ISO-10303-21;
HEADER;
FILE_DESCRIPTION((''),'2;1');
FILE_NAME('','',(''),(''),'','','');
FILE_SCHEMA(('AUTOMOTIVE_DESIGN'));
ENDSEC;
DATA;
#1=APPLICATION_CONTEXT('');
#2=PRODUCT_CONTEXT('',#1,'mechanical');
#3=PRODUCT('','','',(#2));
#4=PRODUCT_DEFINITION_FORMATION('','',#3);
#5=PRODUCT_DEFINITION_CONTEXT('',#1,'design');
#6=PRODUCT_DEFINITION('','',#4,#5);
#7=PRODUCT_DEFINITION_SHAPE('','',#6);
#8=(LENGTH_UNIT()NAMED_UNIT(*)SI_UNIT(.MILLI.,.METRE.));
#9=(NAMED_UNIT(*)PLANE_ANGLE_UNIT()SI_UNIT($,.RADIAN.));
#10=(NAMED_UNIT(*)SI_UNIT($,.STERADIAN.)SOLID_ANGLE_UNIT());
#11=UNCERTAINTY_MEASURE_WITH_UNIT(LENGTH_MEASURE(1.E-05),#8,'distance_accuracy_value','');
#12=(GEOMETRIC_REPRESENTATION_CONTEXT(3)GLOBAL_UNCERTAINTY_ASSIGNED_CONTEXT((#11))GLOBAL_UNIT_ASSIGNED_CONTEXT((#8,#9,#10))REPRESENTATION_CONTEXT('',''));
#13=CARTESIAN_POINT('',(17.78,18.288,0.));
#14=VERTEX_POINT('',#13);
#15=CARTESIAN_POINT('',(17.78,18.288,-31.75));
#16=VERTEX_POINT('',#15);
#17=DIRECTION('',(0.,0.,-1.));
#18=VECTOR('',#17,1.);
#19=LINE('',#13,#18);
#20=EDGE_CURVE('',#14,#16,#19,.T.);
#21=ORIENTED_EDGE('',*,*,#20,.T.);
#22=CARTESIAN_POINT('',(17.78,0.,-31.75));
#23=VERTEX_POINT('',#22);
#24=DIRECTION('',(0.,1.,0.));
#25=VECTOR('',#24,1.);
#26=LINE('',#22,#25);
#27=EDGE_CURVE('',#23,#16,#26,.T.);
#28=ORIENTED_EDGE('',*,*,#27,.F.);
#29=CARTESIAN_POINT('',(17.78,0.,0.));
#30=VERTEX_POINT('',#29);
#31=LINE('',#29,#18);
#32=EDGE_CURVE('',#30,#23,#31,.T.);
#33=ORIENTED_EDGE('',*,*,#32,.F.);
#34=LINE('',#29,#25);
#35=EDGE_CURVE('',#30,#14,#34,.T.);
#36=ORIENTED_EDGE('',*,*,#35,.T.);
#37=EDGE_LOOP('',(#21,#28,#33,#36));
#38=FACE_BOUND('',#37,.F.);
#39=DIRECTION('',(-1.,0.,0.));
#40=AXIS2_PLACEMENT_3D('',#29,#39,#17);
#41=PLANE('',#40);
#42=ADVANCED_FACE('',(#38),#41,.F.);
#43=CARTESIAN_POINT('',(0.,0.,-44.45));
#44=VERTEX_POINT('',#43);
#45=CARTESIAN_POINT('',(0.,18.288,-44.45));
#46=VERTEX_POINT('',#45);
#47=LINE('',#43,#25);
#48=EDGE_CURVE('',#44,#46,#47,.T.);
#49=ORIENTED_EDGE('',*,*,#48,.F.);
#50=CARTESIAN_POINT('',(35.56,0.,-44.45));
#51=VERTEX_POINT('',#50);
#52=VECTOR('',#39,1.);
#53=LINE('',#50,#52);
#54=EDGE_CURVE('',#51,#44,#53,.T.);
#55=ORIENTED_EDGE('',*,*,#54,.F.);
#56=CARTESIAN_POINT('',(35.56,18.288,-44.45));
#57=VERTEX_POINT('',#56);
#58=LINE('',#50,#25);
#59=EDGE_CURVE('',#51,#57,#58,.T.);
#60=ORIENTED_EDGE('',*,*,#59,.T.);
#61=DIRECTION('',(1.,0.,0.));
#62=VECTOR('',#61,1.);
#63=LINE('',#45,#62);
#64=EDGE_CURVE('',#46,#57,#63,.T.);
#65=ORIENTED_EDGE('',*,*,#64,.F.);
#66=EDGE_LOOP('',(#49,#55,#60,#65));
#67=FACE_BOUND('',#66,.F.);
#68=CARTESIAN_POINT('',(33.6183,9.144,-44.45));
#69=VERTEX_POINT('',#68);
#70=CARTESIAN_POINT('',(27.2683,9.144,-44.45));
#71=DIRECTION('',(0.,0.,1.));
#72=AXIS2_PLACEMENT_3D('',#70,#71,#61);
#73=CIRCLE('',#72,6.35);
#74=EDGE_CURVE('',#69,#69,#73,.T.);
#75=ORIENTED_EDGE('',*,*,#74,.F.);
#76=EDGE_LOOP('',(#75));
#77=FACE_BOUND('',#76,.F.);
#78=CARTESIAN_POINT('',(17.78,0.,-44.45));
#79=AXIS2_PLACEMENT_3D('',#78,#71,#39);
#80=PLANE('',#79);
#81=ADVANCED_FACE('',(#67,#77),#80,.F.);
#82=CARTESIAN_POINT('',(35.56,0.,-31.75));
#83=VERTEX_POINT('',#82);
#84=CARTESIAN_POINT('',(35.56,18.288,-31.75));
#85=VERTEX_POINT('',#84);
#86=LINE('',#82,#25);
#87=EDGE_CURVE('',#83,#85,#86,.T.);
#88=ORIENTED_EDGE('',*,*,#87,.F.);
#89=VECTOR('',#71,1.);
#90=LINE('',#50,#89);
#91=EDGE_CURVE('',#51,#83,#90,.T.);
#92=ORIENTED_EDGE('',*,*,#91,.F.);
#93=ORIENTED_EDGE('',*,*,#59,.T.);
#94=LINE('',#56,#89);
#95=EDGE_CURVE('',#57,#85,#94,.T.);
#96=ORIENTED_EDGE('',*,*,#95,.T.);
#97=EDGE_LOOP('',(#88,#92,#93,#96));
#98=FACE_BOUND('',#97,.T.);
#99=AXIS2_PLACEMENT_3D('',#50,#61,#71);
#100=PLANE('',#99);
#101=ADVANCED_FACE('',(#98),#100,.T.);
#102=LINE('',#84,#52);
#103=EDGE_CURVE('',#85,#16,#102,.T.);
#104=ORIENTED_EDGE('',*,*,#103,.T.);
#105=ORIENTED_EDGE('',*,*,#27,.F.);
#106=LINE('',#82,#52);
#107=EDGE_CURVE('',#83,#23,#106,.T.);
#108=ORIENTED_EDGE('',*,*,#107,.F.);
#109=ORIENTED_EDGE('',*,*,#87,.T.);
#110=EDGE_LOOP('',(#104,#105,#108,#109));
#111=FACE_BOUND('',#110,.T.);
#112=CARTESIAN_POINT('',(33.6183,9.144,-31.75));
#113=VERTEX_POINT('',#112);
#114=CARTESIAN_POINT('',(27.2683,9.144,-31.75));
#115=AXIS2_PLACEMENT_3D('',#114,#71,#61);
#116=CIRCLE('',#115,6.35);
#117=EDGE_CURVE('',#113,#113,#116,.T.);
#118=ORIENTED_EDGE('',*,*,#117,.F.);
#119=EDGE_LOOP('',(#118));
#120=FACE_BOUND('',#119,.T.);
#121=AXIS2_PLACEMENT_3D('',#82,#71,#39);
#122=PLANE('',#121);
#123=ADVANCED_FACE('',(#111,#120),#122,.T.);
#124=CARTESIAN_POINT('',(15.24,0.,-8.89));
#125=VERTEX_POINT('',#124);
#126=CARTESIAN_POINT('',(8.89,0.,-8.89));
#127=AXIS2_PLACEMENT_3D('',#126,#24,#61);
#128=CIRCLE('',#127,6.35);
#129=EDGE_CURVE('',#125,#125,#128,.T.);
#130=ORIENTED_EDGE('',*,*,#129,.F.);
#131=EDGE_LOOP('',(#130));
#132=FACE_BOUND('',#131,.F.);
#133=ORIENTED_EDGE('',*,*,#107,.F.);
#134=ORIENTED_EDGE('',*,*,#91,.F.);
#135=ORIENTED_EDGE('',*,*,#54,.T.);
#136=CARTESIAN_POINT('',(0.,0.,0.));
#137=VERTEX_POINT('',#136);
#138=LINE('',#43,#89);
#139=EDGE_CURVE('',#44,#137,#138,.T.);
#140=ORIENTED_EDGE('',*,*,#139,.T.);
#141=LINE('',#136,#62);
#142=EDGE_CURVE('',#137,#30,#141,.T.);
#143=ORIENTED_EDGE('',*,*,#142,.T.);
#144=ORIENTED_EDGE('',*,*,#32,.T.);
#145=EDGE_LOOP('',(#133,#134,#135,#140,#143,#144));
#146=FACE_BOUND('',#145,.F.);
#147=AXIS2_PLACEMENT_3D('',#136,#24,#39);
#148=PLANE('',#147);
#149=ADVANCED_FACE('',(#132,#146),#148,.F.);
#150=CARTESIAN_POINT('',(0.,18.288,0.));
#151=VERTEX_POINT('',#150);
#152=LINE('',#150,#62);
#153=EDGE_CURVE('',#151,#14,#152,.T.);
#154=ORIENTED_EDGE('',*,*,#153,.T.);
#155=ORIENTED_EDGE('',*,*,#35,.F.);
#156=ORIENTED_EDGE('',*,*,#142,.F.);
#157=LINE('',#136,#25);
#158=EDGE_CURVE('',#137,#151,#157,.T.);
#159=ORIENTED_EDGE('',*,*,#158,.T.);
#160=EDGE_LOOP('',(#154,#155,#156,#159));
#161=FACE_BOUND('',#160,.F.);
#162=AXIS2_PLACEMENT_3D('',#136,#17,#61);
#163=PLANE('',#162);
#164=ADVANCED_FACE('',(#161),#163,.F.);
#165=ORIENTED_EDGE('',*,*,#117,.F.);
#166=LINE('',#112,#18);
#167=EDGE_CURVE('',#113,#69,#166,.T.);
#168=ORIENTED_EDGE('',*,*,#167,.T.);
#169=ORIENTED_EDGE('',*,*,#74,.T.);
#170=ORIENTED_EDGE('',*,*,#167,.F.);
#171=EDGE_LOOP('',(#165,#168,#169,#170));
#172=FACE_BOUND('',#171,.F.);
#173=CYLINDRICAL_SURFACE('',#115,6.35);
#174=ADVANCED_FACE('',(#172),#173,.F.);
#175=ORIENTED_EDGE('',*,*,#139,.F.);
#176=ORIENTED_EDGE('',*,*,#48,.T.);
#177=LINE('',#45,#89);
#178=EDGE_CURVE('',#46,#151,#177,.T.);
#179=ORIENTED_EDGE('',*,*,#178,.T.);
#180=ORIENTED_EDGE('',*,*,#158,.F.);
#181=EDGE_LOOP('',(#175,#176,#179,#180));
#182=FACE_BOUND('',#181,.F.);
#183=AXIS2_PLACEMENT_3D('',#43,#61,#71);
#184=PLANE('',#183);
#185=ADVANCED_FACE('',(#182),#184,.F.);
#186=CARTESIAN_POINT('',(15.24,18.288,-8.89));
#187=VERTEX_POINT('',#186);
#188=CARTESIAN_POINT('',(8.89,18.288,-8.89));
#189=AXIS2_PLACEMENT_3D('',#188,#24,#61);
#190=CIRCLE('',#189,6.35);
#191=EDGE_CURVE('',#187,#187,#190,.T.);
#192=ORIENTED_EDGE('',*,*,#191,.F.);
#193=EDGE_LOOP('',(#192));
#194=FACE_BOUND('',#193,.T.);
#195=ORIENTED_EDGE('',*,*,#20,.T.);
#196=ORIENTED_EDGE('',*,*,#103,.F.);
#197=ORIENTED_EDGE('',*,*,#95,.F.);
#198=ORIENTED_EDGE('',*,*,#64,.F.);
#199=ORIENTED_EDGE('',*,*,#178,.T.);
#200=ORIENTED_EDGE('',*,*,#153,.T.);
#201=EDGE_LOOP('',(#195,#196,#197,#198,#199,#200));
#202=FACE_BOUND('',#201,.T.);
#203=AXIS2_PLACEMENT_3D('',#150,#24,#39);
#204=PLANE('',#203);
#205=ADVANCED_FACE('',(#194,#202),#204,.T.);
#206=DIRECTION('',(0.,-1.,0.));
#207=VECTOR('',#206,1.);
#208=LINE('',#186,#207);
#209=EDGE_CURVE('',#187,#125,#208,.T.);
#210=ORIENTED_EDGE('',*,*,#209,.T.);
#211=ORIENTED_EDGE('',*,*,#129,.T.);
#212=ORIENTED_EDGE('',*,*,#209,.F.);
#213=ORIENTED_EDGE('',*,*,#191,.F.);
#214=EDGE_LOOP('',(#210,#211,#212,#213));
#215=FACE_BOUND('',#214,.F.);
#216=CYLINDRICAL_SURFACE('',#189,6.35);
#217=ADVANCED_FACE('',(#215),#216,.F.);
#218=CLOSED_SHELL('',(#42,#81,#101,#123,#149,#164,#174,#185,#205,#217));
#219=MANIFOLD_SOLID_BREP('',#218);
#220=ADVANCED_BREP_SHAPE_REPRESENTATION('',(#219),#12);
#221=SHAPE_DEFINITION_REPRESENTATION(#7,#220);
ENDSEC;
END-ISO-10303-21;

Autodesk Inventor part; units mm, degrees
ref_plane "YZ Plane" through (0, 0, 0) normal (1, 0, 0) x (0, 1, 0)
ref_plane "XZ Plane" through (0, 0, 0) normal (0, 1, 0) x (-1, 0, 0)
ref_plane "XY Plane" through (0, 0, 0) normal (0, 0, 1) x (1, 0, 0)
sketch "Sketch1" plane through (0, 0, 0) normal (0, 1, 0) x (-1, 0, 0)
  line L0 (0, 0) -> (-17.78, 0)
  line L1 (-17.78, 0) -> (-17.78, -44.45)
  line L2 (-17.78, -44.45) -> (0, -44.45)
  line L3 (0, -44.45) -> (0, 0)
  line L4 (-17.78, -44.45) -> (-35.56, -44.45)
  line L5 (-35.56, -44.45) -> (-35.56, -31.75)
  line L6 (-35.56, -31.75) -> (-17.78, -31.75)
  line L7 (-17.78, -31.75) -> (-17.78, -44.45)
  dimension "d0" = 17.78
  dimension "d1" = 44.45
  dimension "d2" = 17.78
  dimension "d3" = 12.7
extrude "Extrusion1" add sketch "Sketch1" along normal blind 18.288
sketch "Sketch2" plane through (17.78, 0, -31.75) normal (0, 0, 1) x (1, 0, 0)
  circle A0 centre (9.4883, 9.144) radius 6.35
  point P0 (-17.78, 0)
  dimension "d6" = 12.7
extrude "Extrusion2" cut sketch "Sketch2" against normal blind 12.7
sketch "Sketch3" plane through (0, 18.288, 0) normal (0, 1, 0) x (1, 0, 0)
  circle A0 centre (8.89, 8.89) radius 6.35
  line L0 (0, 0) -> (17.78, 0) projected
  dimension "d9" = 12.7
  dimension "d10" = 8.89
extrude "Extrusion3" cut sketch "Sketch3" against normal blind 18.288
properties part number "Pivot Point 2"
